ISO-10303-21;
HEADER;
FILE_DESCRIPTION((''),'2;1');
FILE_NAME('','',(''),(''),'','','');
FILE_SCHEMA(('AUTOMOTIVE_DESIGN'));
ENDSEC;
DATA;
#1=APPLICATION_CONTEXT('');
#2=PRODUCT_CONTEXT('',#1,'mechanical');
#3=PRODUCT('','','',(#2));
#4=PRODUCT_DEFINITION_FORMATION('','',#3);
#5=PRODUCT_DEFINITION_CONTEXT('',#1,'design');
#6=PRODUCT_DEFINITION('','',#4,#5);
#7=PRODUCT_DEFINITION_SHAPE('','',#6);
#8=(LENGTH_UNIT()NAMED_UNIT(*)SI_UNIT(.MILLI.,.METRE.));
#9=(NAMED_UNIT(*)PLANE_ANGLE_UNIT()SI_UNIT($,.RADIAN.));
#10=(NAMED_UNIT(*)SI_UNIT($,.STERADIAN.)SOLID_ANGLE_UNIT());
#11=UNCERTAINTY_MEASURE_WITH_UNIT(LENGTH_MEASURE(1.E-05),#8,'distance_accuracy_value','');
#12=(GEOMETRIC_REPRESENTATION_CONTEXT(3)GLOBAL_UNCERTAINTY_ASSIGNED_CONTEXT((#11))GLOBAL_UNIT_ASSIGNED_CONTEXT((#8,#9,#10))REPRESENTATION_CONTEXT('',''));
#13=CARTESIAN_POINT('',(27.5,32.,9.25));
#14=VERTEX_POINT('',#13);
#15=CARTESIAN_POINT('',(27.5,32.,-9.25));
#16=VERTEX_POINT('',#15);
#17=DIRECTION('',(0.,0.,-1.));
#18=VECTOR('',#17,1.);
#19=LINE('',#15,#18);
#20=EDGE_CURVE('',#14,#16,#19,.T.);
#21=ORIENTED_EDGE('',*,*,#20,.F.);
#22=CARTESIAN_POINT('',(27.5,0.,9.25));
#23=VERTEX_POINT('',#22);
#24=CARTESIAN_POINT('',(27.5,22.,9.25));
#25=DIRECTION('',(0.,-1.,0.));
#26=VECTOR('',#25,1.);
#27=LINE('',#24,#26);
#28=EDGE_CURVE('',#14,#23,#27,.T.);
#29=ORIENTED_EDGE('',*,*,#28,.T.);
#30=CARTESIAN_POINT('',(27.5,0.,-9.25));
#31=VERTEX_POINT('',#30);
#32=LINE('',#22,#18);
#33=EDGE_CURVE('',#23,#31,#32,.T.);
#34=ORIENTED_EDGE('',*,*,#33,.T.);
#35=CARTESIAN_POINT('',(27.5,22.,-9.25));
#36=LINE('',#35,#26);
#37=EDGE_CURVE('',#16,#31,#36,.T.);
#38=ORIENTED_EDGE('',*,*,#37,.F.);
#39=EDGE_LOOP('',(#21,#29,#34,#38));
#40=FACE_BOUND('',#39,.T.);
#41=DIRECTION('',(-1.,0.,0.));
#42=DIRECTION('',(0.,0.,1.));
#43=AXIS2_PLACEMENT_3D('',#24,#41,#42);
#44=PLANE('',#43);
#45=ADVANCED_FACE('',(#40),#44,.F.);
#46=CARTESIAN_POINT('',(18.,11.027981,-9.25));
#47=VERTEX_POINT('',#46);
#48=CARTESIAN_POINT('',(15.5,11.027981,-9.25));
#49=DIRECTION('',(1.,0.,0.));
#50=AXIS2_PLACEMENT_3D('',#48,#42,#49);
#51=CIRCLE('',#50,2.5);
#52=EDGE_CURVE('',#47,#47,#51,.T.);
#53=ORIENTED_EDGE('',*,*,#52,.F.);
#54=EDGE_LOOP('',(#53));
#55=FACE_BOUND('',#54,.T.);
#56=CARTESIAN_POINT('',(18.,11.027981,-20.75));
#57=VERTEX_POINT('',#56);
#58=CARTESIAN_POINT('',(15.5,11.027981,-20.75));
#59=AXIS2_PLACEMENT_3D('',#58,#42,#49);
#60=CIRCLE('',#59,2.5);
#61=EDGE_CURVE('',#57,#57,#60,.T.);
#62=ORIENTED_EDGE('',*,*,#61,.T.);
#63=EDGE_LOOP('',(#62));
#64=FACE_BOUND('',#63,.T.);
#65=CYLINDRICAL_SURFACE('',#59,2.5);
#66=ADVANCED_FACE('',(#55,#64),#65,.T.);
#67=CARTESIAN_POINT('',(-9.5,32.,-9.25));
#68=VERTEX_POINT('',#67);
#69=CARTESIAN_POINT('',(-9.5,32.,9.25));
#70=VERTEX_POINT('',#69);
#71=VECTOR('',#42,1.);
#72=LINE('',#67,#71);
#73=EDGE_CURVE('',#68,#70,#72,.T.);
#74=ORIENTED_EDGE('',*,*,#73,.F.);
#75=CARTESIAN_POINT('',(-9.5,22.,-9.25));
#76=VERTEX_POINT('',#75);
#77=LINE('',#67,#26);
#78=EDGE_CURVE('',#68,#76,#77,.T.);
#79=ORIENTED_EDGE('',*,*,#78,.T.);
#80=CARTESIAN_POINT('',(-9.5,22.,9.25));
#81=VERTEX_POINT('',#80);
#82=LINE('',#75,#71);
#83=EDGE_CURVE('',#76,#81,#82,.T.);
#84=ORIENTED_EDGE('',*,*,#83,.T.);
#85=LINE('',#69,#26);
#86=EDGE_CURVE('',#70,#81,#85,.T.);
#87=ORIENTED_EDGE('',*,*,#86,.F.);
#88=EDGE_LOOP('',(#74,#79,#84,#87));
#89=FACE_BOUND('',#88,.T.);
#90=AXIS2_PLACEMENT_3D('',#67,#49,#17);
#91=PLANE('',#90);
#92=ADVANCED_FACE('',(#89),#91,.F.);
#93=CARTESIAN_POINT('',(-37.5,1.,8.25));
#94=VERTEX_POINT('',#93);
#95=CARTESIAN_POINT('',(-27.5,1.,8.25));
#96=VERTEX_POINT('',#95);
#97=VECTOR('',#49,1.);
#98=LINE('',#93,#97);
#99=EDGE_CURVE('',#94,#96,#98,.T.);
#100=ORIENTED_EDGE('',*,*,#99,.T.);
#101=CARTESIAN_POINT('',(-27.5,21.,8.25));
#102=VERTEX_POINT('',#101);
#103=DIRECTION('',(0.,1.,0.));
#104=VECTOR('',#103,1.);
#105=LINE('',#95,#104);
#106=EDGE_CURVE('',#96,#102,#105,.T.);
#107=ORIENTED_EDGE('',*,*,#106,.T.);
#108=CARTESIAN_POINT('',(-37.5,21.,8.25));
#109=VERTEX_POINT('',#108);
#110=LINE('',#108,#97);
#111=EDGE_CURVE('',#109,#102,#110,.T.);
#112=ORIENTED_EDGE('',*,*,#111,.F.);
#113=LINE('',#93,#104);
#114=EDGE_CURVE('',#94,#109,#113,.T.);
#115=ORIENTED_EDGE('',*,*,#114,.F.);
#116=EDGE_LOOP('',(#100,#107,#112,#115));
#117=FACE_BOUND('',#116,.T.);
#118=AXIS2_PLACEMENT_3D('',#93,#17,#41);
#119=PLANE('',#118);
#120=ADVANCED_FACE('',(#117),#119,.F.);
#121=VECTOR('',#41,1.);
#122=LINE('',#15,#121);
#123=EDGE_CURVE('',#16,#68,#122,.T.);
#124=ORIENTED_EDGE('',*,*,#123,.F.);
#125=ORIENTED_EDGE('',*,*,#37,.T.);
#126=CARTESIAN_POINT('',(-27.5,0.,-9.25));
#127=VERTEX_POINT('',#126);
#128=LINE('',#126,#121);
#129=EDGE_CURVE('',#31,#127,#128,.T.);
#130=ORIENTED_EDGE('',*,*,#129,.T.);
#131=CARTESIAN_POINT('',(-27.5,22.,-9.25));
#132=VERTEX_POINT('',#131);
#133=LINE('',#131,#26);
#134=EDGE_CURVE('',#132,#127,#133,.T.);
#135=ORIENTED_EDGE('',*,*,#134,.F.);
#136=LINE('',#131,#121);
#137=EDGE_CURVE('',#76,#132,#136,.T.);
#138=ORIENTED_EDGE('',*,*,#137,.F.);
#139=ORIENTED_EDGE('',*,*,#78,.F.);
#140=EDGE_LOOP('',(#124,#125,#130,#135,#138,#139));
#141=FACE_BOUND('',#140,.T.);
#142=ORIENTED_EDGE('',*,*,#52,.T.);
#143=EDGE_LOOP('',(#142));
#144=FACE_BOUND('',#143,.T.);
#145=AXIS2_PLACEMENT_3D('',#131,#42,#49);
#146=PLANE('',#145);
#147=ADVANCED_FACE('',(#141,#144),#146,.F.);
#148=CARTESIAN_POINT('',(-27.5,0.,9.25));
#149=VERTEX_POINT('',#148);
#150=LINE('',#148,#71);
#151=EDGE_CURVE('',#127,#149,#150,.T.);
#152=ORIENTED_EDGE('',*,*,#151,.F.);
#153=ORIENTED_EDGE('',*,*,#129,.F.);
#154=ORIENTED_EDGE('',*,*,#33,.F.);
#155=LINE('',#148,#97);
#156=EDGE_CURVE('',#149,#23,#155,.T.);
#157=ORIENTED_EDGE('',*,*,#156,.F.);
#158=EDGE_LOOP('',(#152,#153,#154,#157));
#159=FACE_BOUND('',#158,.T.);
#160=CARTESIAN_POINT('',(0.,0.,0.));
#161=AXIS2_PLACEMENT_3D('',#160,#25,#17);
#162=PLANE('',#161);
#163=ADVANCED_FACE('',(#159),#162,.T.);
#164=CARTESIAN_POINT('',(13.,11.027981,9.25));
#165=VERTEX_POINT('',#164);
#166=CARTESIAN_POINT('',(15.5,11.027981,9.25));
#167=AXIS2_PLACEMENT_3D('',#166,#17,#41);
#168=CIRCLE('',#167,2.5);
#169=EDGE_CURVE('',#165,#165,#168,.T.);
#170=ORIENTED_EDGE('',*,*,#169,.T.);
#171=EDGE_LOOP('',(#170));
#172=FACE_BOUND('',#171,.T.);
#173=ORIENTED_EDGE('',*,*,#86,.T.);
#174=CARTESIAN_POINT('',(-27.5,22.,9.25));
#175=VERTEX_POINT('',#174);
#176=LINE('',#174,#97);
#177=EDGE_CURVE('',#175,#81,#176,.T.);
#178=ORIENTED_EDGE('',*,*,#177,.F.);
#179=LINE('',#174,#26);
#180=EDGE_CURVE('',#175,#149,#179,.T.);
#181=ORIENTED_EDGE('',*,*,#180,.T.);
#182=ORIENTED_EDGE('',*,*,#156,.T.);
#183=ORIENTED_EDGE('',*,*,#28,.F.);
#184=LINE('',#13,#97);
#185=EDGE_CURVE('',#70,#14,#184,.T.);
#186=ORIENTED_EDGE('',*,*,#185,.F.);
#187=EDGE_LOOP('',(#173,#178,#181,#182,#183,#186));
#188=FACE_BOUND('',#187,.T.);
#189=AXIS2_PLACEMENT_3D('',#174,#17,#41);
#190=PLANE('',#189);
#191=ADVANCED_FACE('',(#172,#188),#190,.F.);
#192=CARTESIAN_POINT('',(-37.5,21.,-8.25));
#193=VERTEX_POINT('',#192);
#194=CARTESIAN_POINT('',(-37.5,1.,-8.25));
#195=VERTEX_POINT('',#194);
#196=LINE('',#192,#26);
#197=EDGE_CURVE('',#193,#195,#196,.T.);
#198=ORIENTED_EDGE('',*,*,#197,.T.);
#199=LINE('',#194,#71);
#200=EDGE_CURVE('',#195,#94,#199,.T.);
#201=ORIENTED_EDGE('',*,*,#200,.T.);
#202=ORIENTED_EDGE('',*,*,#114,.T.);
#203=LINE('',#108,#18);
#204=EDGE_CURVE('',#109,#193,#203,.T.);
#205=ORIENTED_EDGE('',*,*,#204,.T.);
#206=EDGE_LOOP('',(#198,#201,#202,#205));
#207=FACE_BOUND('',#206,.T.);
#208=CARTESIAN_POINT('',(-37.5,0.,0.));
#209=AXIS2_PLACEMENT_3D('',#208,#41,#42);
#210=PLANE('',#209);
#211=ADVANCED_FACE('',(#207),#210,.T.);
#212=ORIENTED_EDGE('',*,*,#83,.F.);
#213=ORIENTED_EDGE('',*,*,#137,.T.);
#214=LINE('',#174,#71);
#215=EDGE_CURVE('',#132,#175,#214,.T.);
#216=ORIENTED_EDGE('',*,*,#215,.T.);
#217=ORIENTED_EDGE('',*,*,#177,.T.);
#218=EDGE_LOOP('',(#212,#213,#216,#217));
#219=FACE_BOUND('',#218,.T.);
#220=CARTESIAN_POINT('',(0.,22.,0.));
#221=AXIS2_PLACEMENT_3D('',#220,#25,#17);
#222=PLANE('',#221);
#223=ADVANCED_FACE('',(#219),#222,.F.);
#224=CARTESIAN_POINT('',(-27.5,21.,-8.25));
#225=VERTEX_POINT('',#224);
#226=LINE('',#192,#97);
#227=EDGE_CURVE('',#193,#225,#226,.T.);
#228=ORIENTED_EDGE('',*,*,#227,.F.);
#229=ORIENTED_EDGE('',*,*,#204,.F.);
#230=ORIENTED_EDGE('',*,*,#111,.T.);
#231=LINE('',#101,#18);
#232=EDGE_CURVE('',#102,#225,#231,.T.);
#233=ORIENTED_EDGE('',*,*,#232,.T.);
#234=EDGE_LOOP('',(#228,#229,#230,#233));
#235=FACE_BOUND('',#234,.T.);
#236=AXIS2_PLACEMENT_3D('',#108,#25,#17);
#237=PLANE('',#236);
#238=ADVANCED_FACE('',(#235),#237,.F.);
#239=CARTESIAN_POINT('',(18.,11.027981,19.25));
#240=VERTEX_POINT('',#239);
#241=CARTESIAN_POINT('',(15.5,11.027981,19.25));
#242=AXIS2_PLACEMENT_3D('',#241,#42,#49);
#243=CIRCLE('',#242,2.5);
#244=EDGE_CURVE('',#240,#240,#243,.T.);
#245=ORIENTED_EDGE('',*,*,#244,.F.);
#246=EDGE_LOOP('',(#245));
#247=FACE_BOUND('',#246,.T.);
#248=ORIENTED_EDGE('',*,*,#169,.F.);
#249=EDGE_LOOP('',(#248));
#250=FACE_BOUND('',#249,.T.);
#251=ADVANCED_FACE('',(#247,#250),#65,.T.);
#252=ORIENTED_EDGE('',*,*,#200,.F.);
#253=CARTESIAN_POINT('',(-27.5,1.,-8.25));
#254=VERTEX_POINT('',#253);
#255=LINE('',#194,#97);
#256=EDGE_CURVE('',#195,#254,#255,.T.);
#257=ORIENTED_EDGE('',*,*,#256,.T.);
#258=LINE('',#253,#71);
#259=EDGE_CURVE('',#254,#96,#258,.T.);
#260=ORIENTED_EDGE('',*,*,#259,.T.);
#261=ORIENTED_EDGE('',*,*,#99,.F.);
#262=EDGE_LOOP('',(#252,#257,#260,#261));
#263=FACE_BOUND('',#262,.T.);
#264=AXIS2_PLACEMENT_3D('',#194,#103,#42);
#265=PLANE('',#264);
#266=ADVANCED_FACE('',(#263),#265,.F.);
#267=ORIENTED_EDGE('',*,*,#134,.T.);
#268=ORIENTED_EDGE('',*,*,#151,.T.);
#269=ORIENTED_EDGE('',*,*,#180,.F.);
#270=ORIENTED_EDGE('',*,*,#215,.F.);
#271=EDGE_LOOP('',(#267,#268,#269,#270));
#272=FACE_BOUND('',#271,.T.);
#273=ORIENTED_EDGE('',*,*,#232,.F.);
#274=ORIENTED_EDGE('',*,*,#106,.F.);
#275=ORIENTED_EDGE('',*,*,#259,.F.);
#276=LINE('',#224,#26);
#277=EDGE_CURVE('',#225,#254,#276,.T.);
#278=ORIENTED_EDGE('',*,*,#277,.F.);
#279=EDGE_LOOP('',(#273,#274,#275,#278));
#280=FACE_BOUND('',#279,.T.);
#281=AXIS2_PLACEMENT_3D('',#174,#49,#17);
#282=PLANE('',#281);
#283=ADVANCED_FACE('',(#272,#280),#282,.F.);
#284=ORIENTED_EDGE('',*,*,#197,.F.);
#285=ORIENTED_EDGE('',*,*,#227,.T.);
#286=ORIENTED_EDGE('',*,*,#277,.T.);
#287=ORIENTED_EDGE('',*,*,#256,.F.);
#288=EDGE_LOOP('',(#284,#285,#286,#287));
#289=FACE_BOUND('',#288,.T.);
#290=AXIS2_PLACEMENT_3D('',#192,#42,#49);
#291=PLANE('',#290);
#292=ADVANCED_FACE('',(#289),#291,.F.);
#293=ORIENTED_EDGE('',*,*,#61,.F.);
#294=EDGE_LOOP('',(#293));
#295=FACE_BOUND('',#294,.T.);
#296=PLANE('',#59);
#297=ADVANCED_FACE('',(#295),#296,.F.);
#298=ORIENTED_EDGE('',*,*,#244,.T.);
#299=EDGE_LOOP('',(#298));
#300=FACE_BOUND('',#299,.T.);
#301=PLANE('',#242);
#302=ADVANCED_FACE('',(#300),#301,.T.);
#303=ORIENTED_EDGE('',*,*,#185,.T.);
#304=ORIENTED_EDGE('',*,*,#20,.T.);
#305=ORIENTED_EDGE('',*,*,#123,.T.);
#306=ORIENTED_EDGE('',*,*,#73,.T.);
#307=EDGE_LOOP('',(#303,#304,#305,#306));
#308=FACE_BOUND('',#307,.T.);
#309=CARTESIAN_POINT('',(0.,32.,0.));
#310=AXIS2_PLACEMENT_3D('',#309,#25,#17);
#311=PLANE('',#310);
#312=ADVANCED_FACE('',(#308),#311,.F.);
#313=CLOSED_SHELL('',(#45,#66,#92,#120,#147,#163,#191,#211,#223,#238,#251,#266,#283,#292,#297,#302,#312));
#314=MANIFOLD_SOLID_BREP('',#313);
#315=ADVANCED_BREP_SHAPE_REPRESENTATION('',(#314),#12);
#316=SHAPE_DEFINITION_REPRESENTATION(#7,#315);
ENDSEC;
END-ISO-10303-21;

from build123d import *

# Parameters (mm, degrees)
SKETCH1_W                = 55
SKETCH1_H                = 18.5
BOSS_EXTRUDE1_DEPTH      = 22
SKETCH2_W                = 16.5
SKETCH2_H                = 20
BOSS_EXTRUDE2_DEPTH      = 10
BOSS_EXTRUDE3_DEPTH      = 10
BOSS_EXTRUDE3_DEPTH_BACK = 30
SKETCH5_R                = 2.5
SKETCH6_W                = 37
SKETCH6_H                = 18.5
BOSS_EXTRUDE4_DEPTH      = 10


with BuildPart() as part:
    # Sketch1 → Boss-Extrude1 (new body)
    with BuildSketch(Plane(origin=(0, 0, 0), x_dir=(1, 0, 0), z_dir=(0, 1, 0))):
        Rectangle(SKETCH1_W, SKETCH1_H)
    extrude(amount=BOSS_EXTRUDE1_DEPTH)

    # Sketch2 → Boss-Extrude2 (add)
    with BuildSketch(Plane.ZY.offset(27.5)):
        with Locations((0, 11)):
            Rectangle(SKETCH2_W, SKETCH2_H)
    extrude(amount=BOSS_EXTRUDE2_DEPTH)

    # Sketch5 → Boss-Extrude3 (add, two sides: drawn at the far end of the back side and taken through both)
    with BuildSketch(Plane.XY.offset(9.25).offset(-BOSS_EXTRUDE3_DEPTH_BACK)):
        with Locations((15.5, 11.027980953)):
            Circle(SKETCH5_R)
    extrude(amount=BOSS_EXTRUDE3_DEPTH + BOSS_EXTRUDE3_DEPTH_BACK)

    # Sketch6 → Boss-Extrude4 (add)
    with BuildSketch(Plane(origin=(0, 22, 0), x_dir=(1, 0, 0), z_dir=(0, 1, 0))):
        with Locations((9, 0)):
            Rectangle(SKETCH6_W, SKETCH6_H)
    extrude(amount=BOSS_EXTRUDE4_DEPTH)


solid = part.part
